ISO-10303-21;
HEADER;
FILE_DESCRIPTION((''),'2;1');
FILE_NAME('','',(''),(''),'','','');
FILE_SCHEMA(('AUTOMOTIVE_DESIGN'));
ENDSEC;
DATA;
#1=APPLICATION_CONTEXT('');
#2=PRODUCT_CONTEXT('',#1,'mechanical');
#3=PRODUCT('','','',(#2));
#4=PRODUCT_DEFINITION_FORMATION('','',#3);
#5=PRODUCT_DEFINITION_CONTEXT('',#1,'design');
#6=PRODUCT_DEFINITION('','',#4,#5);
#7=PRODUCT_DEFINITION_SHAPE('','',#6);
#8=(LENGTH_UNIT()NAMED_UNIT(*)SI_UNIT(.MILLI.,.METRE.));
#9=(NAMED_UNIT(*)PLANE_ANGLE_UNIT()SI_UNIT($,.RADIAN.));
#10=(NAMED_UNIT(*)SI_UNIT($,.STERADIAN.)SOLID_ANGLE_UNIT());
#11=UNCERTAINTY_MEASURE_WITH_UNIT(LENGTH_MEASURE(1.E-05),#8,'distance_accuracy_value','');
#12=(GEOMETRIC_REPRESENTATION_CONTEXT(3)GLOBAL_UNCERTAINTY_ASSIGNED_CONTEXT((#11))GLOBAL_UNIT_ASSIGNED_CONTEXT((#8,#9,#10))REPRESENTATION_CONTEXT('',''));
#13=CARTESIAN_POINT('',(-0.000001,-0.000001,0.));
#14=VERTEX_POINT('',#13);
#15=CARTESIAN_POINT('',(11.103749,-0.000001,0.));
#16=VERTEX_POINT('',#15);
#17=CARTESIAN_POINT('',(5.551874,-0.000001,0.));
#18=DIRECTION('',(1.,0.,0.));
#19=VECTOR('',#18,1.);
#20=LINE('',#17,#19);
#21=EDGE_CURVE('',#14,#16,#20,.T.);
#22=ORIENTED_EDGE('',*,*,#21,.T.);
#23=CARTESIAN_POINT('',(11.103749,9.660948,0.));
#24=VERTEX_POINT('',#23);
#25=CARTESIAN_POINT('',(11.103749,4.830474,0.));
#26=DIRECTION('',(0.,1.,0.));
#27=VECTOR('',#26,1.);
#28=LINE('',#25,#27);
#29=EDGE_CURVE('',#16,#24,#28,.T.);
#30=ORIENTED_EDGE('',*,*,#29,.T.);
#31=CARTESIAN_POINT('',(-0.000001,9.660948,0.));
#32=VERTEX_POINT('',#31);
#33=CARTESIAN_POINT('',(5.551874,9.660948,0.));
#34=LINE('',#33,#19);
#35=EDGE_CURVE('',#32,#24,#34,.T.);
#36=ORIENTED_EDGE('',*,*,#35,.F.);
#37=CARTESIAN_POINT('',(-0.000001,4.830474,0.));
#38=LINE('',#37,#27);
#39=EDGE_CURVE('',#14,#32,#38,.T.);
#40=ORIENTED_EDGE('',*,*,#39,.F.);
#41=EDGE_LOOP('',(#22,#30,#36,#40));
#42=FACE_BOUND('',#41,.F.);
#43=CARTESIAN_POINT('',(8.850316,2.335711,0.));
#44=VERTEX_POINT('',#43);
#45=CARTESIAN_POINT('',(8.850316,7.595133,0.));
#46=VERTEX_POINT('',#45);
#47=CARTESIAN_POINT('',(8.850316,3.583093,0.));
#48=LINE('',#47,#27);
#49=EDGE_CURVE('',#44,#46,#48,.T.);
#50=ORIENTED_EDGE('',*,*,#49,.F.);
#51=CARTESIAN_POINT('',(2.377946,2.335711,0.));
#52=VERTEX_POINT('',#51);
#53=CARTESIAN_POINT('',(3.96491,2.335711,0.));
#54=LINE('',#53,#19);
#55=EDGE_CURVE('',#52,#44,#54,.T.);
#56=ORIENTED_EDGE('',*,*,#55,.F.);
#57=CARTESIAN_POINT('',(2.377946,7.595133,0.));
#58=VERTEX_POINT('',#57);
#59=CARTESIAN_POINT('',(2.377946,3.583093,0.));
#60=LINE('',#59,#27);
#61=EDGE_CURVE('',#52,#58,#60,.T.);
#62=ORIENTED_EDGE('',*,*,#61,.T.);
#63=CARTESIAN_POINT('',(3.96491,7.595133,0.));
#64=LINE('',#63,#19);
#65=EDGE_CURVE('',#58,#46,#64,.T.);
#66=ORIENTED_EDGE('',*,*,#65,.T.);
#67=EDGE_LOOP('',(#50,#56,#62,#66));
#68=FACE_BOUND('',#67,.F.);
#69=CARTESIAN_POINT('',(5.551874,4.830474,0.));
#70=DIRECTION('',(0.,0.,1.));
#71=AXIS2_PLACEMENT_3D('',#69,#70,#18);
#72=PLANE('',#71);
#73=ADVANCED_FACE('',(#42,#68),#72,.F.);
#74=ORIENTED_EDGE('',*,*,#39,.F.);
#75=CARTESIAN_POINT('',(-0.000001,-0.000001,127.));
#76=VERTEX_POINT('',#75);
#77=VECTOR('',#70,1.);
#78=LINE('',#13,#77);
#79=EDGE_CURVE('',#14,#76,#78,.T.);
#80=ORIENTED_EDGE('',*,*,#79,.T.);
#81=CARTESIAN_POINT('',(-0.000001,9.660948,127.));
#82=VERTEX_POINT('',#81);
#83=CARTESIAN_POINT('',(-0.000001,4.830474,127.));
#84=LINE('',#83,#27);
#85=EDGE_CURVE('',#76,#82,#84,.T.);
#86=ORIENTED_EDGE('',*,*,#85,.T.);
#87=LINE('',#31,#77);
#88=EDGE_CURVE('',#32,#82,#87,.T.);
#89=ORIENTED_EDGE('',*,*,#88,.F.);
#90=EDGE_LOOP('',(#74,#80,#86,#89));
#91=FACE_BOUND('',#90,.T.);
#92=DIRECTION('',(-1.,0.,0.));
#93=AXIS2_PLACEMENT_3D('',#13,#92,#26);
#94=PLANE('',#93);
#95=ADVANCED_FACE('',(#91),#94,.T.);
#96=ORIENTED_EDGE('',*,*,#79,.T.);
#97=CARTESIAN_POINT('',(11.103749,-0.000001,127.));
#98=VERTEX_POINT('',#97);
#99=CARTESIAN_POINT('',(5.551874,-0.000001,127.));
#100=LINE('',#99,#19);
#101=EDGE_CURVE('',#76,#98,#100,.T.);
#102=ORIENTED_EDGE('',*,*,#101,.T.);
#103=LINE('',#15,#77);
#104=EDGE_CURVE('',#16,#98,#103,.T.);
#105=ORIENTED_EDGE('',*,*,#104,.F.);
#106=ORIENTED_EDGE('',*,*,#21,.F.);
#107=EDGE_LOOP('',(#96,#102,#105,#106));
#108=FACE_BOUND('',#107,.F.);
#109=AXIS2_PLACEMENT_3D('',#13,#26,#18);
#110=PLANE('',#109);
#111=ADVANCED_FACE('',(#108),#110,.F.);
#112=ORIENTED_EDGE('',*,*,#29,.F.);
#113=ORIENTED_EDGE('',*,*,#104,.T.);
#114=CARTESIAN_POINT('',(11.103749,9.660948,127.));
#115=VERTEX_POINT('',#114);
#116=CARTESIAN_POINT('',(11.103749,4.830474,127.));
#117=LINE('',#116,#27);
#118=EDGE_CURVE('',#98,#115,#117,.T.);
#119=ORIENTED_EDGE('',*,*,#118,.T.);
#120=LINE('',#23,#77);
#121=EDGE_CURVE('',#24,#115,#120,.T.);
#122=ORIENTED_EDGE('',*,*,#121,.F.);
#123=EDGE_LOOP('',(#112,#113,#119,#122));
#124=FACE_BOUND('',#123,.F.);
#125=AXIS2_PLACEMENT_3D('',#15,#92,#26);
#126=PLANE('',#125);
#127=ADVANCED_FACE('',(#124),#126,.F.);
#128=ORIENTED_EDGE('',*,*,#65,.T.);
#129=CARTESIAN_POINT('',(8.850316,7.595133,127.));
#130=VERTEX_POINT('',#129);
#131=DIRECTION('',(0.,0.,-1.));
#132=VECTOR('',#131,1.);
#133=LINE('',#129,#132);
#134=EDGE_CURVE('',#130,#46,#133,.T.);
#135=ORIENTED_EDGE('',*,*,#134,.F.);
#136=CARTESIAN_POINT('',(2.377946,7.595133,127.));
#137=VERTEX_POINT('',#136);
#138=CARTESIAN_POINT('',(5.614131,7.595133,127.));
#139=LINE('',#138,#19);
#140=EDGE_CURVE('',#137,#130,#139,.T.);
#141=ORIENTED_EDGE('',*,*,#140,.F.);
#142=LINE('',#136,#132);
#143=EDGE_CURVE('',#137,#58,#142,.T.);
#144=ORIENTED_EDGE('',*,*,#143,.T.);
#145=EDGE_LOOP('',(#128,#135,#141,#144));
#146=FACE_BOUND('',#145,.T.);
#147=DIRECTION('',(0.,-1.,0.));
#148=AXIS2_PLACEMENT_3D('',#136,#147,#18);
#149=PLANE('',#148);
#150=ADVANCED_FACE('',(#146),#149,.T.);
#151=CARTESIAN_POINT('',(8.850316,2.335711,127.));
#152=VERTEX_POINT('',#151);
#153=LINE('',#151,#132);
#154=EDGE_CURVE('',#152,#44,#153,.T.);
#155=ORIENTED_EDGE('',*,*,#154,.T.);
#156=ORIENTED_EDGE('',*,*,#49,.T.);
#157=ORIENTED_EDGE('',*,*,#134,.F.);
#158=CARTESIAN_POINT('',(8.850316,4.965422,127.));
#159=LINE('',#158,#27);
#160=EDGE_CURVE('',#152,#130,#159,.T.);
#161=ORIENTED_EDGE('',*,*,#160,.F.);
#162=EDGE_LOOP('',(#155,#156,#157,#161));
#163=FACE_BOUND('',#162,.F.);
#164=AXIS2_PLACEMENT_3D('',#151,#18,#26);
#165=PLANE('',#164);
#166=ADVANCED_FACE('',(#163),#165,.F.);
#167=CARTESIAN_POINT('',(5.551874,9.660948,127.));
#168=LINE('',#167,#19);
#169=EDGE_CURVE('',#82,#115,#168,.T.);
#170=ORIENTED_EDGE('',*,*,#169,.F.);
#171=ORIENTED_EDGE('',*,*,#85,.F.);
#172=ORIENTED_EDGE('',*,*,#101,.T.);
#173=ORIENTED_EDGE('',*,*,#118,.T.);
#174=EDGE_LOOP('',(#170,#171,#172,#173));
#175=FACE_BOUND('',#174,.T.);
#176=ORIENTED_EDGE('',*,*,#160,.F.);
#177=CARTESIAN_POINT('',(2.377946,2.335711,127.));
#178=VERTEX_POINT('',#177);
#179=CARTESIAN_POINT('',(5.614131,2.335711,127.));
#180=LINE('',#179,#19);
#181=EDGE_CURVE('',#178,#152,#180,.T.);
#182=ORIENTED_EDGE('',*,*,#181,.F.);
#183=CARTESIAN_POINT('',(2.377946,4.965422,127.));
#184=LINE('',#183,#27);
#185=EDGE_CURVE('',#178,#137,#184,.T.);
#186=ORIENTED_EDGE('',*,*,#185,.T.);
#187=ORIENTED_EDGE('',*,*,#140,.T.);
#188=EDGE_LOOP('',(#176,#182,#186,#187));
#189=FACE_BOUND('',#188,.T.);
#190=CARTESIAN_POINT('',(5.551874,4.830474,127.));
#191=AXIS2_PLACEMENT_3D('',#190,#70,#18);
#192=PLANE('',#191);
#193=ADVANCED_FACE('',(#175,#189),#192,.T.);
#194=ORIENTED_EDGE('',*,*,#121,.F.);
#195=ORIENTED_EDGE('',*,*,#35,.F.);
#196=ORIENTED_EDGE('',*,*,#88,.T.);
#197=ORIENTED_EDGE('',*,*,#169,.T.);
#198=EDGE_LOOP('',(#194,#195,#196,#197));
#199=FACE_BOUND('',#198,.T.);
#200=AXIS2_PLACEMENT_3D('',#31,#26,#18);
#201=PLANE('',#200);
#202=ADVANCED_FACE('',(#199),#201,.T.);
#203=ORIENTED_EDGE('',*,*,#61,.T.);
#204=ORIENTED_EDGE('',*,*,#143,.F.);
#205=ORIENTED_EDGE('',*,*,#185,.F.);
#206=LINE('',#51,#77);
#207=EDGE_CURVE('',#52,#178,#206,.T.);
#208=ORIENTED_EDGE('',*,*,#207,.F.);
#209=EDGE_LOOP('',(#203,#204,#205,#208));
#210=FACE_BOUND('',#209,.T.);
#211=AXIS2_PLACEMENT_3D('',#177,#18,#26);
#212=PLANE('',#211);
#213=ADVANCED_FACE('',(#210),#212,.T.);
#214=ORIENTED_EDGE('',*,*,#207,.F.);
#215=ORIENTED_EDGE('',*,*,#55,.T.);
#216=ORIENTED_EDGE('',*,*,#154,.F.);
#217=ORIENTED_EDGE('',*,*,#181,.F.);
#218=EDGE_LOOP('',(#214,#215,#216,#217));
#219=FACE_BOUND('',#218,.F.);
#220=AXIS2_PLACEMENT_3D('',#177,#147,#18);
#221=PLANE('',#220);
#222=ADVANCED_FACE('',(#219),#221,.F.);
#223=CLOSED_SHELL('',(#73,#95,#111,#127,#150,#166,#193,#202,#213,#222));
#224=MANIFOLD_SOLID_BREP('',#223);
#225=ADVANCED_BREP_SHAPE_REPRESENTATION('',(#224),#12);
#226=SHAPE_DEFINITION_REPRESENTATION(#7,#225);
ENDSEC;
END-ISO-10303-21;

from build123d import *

# Parameters (mm, degrees)
F0_W          = 11.103749
F0_H          = 9.660949
F1_DEPTH      = 127
F2_W          = 6.47237
F2_H          = 5.259421
F3_DEPTH      = 127.2
F3_DEPTH_BACK = 25


with BuildPart() as f1:
    # F0 (on Top) → F1 (new body)
    with BuildSketch(Plane.XY):
        with Locations((5.551874, 4.830474)):
            Rectangle(F0_W, F0_H)
    extrude(amount=F1_DEPTH)

    # F2 (on face) → F3 (cut, two sides)
    with BuildSketch(Plane.XY.offset(127)) as f3_sk:
        with Locations((5.614131, 4.965422)):
            Rectangle(F2_W, F2_H)
    extrude(amount=-F3_DEPTH, mode=Mode.SUBTRACT)
    extrude(f3_sk.sketch, amount=-F3_DEPTH_BACK, mode=Mode.SUBTRACT)


solid = f1.part
